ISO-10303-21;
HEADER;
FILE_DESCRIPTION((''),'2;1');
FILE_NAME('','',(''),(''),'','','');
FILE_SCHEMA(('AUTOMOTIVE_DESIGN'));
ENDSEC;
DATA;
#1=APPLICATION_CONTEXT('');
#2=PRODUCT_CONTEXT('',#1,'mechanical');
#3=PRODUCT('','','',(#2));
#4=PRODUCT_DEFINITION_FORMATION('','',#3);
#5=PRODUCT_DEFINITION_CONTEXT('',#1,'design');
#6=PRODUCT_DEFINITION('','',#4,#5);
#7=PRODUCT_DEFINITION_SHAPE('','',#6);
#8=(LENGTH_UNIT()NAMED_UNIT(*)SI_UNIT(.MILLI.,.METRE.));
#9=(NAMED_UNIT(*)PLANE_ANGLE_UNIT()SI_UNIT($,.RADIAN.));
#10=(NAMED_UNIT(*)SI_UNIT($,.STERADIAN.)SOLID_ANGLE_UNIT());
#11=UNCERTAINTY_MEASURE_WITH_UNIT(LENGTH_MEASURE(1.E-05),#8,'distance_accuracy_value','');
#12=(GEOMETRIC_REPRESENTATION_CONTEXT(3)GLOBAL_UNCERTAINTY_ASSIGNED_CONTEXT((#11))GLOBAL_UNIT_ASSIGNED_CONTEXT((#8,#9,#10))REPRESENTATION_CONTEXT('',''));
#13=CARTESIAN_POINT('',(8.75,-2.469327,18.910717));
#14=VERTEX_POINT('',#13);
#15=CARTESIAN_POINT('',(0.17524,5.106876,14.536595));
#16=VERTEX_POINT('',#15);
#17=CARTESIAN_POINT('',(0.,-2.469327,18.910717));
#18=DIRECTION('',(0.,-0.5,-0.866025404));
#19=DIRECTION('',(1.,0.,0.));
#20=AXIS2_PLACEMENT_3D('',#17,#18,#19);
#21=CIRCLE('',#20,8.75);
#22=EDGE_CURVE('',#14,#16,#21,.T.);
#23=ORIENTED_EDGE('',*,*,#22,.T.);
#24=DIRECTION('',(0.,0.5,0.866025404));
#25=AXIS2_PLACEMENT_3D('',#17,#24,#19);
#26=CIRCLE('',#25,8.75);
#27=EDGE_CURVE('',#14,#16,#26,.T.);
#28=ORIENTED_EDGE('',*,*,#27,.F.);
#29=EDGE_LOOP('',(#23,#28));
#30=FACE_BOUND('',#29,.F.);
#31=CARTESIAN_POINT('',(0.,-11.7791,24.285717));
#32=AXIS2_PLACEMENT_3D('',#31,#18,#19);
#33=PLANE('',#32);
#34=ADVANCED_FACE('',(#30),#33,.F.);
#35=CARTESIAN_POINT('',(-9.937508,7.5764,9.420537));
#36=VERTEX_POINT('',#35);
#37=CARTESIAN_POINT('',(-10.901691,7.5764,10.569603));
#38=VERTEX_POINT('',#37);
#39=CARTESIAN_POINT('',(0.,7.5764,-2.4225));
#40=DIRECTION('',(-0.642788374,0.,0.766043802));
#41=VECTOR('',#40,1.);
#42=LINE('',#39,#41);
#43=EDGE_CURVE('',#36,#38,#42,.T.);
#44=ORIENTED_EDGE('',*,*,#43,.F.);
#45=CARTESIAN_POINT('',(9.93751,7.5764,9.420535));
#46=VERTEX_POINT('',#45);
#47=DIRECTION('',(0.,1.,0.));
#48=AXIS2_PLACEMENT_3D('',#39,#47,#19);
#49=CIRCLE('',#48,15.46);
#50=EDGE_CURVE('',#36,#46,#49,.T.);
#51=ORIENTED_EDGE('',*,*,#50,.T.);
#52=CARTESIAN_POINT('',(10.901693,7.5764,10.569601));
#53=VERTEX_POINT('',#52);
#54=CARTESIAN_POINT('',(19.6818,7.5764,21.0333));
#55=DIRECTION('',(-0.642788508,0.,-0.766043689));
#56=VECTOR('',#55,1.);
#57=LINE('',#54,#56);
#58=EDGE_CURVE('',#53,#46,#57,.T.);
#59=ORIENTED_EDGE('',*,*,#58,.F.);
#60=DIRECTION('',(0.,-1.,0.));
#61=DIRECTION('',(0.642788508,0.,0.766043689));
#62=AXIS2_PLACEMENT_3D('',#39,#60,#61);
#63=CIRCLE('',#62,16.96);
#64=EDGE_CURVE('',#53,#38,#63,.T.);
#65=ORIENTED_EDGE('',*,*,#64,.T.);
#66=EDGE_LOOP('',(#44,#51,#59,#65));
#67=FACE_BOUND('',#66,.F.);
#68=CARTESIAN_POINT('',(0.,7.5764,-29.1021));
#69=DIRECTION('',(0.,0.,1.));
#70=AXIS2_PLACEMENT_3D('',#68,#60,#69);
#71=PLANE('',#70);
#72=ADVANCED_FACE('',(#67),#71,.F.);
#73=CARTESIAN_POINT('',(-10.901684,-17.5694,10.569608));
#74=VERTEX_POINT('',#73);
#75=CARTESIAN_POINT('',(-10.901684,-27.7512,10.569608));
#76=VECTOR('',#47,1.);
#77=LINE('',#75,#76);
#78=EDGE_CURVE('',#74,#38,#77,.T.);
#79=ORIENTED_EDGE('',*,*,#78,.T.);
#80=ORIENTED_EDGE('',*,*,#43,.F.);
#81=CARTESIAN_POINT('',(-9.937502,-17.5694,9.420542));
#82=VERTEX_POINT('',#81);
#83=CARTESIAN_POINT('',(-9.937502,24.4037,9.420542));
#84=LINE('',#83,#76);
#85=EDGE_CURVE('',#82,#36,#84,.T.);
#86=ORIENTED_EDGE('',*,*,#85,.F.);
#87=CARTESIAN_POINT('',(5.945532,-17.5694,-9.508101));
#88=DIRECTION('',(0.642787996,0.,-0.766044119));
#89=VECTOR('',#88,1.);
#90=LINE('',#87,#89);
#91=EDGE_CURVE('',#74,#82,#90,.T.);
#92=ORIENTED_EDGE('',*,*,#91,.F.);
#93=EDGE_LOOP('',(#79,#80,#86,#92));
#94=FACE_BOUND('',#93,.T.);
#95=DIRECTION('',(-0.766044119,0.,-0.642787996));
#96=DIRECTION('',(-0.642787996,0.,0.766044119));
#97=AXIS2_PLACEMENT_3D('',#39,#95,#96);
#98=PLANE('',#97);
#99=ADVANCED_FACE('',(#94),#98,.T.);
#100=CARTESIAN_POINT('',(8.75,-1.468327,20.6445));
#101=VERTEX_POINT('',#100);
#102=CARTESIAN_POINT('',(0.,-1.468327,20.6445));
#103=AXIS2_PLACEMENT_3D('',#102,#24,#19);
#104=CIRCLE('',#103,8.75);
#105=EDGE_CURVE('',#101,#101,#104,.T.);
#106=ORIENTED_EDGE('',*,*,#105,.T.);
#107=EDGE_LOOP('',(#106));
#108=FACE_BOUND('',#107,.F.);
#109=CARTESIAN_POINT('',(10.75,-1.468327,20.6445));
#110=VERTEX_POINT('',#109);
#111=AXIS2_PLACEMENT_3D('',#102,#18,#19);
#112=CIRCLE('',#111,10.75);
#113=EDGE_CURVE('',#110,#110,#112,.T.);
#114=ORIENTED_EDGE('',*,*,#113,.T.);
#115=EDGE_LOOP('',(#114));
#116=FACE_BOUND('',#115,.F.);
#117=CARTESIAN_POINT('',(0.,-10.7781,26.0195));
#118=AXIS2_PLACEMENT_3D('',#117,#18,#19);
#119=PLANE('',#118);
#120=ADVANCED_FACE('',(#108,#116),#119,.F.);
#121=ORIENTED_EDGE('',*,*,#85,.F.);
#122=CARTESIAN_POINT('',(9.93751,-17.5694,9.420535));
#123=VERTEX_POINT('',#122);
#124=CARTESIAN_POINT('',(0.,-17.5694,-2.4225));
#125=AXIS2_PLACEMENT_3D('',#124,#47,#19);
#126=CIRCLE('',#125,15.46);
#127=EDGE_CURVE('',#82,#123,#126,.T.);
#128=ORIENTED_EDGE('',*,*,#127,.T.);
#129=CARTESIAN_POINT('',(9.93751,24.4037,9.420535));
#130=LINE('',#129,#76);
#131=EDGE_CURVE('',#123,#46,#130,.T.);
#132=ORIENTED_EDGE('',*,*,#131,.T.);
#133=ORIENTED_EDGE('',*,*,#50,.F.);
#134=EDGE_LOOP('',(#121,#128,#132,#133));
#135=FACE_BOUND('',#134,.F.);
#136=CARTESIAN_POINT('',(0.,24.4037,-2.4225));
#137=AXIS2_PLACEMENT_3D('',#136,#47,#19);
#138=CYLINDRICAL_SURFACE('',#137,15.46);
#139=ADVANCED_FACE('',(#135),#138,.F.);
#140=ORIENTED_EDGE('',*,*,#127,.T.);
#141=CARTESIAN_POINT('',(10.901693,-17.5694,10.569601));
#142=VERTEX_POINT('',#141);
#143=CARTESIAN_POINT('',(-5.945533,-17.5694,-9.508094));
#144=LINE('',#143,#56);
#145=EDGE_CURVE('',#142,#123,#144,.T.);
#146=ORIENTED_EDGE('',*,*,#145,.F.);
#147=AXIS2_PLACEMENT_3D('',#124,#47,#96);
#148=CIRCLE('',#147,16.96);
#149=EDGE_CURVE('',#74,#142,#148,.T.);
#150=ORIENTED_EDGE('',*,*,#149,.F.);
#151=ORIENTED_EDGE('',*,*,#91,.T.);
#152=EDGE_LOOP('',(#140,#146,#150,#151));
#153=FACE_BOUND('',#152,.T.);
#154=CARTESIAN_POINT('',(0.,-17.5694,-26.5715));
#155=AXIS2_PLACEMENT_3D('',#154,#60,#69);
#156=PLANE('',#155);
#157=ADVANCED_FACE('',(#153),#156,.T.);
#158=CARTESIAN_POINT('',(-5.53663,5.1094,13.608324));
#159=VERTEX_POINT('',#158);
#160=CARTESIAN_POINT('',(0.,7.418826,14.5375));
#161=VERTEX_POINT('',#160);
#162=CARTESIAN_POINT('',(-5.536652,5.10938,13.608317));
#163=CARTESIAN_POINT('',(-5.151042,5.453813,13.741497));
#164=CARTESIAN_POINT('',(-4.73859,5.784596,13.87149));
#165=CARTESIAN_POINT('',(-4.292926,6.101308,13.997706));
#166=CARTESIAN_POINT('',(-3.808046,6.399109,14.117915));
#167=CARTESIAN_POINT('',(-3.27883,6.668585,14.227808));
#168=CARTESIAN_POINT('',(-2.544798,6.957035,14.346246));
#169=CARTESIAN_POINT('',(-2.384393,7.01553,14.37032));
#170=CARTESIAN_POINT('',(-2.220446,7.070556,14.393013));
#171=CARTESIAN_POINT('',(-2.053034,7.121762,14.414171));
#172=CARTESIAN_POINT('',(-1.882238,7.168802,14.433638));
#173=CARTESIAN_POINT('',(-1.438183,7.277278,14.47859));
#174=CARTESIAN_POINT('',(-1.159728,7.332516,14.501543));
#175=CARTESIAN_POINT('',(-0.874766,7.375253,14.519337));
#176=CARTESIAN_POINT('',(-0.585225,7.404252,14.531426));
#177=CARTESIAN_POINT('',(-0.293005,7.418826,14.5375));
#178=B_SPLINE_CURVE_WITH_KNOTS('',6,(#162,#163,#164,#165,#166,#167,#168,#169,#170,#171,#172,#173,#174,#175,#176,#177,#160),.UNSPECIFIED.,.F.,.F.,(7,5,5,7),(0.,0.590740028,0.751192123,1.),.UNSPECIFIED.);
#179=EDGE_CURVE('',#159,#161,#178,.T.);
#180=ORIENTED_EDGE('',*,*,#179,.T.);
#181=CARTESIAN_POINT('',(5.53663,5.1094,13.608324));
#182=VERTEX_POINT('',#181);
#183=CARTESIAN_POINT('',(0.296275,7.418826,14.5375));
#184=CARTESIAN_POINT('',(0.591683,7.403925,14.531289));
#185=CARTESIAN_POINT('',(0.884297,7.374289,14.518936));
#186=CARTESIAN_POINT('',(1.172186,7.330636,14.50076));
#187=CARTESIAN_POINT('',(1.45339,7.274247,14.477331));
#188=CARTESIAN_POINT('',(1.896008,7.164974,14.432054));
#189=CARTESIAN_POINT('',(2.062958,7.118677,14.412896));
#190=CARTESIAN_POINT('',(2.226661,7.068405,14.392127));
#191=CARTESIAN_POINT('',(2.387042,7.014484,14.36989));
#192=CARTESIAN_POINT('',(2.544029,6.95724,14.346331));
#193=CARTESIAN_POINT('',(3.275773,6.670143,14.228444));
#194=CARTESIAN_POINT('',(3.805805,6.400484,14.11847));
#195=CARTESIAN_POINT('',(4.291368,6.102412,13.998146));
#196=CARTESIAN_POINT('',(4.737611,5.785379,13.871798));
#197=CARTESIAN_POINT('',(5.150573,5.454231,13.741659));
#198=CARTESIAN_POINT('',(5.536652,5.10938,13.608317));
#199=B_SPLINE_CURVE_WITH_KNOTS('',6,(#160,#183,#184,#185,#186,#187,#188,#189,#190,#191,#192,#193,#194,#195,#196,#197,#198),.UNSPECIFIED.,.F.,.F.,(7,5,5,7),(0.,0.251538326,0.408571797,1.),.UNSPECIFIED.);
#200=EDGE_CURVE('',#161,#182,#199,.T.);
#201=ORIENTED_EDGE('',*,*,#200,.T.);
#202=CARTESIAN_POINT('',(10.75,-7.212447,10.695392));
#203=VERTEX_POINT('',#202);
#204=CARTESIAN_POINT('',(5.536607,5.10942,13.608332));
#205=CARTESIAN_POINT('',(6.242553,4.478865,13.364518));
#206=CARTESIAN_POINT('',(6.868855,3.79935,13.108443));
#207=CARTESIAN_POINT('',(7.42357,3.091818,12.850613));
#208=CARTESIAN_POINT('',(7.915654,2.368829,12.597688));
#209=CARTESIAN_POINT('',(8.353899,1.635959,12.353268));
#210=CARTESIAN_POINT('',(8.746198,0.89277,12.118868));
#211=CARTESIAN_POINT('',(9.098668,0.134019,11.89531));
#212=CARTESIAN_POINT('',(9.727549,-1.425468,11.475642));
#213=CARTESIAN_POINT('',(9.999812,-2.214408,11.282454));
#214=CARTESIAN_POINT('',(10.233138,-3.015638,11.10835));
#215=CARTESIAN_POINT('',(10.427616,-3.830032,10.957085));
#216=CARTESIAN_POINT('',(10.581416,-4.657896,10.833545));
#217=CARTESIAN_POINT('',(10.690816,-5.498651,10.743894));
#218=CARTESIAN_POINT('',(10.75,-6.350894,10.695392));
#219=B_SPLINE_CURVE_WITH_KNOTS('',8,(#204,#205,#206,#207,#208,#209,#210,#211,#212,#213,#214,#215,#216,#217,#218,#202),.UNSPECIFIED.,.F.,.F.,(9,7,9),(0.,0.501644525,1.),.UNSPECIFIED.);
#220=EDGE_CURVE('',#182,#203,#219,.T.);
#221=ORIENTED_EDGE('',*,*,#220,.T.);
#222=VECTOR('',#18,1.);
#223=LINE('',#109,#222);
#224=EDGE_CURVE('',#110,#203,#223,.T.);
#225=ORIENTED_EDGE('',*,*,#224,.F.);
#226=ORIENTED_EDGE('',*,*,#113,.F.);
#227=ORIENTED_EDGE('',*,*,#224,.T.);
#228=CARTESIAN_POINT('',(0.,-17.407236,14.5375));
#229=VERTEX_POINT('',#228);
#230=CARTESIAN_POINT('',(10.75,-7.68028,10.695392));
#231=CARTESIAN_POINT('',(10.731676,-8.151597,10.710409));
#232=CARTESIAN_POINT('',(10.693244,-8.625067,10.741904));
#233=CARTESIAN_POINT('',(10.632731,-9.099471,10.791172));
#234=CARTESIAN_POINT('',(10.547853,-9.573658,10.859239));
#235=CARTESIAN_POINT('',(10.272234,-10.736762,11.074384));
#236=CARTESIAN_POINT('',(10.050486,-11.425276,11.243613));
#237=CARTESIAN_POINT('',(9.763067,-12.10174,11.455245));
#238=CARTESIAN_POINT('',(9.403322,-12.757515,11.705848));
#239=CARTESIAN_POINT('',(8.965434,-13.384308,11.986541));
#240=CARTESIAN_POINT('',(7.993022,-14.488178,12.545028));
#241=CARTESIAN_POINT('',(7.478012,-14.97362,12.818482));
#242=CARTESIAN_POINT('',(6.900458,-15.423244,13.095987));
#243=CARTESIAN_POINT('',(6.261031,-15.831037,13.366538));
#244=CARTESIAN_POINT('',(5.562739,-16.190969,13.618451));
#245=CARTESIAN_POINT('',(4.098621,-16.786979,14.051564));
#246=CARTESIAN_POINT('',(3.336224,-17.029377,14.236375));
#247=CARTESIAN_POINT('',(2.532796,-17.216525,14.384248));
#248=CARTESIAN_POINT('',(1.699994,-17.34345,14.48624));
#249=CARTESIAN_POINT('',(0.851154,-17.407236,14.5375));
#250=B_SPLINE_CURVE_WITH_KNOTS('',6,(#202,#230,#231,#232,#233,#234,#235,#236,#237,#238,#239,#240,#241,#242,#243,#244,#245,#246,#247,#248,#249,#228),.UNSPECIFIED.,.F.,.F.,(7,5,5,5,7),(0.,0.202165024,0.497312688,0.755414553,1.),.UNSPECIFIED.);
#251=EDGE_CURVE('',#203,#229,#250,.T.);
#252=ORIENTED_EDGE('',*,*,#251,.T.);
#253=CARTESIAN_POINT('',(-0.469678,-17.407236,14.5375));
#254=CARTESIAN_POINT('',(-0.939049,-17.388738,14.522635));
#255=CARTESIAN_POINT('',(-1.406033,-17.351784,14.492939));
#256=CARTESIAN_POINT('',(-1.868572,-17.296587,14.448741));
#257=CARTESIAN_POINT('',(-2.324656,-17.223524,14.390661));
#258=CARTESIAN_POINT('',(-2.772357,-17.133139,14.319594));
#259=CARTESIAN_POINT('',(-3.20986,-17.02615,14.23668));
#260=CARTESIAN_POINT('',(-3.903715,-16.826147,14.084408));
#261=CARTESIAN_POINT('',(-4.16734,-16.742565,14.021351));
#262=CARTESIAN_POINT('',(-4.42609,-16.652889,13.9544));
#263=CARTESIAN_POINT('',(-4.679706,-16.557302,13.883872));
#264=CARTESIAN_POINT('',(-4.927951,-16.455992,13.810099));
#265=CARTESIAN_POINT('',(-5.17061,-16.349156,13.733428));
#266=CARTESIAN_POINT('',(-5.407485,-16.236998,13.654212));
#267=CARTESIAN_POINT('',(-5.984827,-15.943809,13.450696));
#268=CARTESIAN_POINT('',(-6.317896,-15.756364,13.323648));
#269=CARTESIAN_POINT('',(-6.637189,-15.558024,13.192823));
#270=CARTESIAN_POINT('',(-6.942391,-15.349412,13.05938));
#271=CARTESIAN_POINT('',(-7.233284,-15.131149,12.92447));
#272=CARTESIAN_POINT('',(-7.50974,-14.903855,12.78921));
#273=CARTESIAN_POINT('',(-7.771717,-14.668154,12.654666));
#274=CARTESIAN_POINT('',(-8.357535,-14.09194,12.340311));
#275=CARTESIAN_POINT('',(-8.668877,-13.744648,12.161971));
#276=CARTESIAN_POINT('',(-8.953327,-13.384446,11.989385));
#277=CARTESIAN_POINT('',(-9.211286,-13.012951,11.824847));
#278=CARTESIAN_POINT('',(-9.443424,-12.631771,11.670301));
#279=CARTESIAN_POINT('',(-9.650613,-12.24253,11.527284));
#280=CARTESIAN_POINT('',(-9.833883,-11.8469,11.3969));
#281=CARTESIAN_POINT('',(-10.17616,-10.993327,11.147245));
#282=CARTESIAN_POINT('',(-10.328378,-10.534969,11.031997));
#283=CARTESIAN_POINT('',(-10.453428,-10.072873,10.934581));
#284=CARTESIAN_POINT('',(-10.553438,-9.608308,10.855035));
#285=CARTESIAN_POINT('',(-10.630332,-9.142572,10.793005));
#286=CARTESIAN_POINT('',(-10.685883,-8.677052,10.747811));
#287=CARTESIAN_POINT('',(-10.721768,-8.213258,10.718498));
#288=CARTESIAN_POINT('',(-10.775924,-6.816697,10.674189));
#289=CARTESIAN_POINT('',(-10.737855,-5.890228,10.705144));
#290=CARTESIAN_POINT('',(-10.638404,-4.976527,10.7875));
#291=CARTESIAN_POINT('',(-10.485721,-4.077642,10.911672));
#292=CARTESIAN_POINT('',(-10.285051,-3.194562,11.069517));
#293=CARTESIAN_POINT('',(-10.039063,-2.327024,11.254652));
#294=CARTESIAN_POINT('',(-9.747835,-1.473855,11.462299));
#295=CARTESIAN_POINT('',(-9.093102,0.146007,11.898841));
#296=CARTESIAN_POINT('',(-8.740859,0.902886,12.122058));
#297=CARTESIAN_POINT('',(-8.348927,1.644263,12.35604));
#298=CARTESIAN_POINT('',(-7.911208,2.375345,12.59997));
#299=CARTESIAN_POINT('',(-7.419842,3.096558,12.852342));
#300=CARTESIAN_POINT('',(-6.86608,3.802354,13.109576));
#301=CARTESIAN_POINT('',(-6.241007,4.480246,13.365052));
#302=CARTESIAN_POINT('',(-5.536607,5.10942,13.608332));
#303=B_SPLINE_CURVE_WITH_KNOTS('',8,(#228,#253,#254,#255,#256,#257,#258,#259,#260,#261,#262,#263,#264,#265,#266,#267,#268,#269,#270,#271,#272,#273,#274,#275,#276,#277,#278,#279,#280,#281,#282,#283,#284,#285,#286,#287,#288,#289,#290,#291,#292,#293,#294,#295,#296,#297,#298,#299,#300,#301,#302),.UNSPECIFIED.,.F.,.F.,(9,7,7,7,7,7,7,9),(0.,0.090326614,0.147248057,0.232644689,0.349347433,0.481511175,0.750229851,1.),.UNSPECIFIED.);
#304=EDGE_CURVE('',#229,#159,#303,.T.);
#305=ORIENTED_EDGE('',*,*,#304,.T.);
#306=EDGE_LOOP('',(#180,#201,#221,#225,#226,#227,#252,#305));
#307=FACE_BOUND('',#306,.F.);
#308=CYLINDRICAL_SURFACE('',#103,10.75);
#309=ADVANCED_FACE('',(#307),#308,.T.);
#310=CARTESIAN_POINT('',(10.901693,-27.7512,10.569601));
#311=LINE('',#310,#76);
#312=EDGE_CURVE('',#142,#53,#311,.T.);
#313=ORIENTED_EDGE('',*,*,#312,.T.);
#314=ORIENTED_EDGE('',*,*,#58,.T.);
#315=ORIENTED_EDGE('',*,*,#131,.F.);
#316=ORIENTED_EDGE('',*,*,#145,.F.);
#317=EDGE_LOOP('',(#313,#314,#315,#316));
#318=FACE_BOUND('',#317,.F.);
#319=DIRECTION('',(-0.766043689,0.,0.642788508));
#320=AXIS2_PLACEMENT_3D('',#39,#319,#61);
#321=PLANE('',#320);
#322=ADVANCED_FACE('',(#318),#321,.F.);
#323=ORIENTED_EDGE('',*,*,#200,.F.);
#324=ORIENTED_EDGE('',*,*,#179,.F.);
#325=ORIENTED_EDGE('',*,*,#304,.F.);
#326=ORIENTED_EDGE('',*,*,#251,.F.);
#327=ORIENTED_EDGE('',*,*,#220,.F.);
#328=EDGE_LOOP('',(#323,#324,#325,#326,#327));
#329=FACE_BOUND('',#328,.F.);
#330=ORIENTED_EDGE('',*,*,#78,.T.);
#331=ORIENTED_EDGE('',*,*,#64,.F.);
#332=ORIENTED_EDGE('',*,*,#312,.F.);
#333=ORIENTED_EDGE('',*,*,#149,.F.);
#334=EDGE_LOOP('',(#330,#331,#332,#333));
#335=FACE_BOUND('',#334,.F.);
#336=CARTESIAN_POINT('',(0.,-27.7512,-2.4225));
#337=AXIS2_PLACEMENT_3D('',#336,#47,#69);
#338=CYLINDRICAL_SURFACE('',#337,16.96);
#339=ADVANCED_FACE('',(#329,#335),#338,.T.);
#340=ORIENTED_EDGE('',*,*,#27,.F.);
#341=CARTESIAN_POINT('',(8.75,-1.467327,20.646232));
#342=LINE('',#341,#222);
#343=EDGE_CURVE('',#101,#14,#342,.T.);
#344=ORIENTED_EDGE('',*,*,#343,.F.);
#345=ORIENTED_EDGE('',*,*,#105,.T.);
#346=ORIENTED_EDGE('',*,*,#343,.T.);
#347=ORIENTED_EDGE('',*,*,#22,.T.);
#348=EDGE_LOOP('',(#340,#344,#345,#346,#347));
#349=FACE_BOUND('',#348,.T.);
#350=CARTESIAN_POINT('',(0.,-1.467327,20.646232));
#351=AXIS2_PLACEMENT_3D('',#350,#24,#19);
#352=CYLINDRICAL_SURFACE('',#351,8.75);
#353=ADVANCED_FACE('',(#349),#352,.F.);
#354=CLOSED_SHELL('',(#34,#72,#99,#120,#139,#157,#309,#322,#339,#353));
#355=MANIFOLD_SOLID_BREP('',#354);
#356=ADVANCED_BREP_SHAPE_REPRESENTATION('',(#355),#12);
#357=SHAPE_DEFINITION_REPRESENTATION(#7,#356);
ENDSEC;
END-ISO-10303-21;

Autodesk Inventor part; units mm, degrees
ref_plane "YZ Plane" through (0, 0, 0) normal (1, 0, 0) x (0, 1, 0)
ref_plane "XZ Plane" through (0, 0, 0) normal (0, 1, 0) x (-1, 0, 0)
sketch "Sketch1" plane through (0, 0, 0) normal (1, 0, 0) x (0, 1, 0)
  line L0 (22.9037, 13.0375) -> (-26.2512, 13.0375)
  line L1 (-26.2512, 13.0375) -> (-26.2512, -17.8825)
  line L2 (-26.2512, -17.8825) -> (22.9037, -17.8825)
  line L3 (22.9037, -17.8825) -> (22.9037, 13.0375)
  line L4 (-27.7512, 14.5375) -> (24.4037, 14.5375)
  line L5 (24.4037, 14.5375) -> (24.4037, -19.3825)
  line L6 (24.4037, -19.3825) -> (-27.7512, -19.3825)
  line L7 (-27.7512, -19.3825) -> (-27.7512, 14.5375)
  line L8 (14.8755, 31.453) -> (106.1225, 31.453) construction
  line L9 (5.1094, 14.5375) -> (-10.0461, 23.2875)
  line L10 (-10.0461, 23.2875) -> (-9.0461, 25.0195)
  line L11 (-9.0461, 25.0195) -> (-10.7781, 26.0195)
  line L12 (-10.7781, 26.0195) -> (-17.4073, 14.5375)
  line L13 (24.4037, -2.4225) -> (-27.7512, -2.4225)
  point P0 (0, 0)
  point P1 (22.9037, -2.4225)
  point P2 (-26.2512, -2.4225)
  dimension "d0" = 30.92
  dimension "d1" = 1.5
  dimension "d3" = 17.5
  dimension "d4" = 2
  dimension "d5" = 2
ref_plane "Work Plane1" through (0, -10.7781, 26.0195) normal (0, -0.5, -0.866) x (1, 0, 0)
sketch "Sketch2" plane through (0, -10.7781, 26.0195) normal (0, -0.5, -0.866) x (1, 0, 0)
  line L0 (0, -19.5) -> (0, -2) projected
  circle A0 centre (0, -10.75) radius 8.75
  circle A1 centre (0, -10.75) radius 10.75
  point P0 (0, -22.3439)
  point P1 (0, 0)
extrude "Extrusion1" add sketch "Sketch2" along normal blind 19 contours A0 L0 | L0 A0 | A1
extrude "Extrusion2" cut sketch "Sketch2" along normal blind 2 contours A0 L0 | L0 A0
revolve "Revolution1" add sketch "Sketch1" angle 360 about axis through (0, 24.4037, -2.4225) along (0, -1, 0) contours L0 L1 L13 L7 L4 L5 L3
sketch "Sketch3" plane through (0, 24.4037, -2.4225) normal (0, 1, 0) x (1, 0, 0)
  circle A0 centre (0, 0) radius 15.46 projected
  circle A1 centre (0, 0) radius 16.96 projected
  point P0 (0, -2.4225)
extrude "Extrusion3" cut sketch "Sketch3" against normal blind 127.25 contours A0
sketch "Sketch4" plane through (0, 0, 0) normal (1, 0, 0) x (0, 1, 0)
  line L0 (24.4037, 14.5375) -> (-27.7512, 14.5375) projected
  line L1 (7.5764, 14.5375) -> (27.5764, 14.5375)
  line L2 (27.5764, 14.5375) -> (27.5764, -29.1021)
  line L3 (27.5764, -29.1021) -> (7.5764, -29.1021)
  line L4 (7.5764, -29.1021) -> (7.5764, 14.5375)
  line L5 (-17.5694, 14.5375) -> (-31.1808, 14.5375)
  line L6 (-31.1808, 14.5375) -> (-31.1808, -26.5715)
  line L7 (-31.1808, -26.5715) -> (-17.5694, -26.5715)
  line L8 (-17.5694, -26.5715) -> (-17.5694, 14.5375)
  point P0 (0, 0)
  dimension "d21" = 20
extrude "Extrusion4" cut sketch "Sketch4" along normal mid plane 127.25
sketch "Sketch5" plane through (0, 7.5764, -2.4225) normal (0, 1, 0) x (1, 0, 0)
  circle A0 centre (0, 0) radius 16.96 projected
  line L0 (0, 0) -> (-17.0449, -20.3133)
  line L1 (0, 0) -> (26.5172, 0) construction
  line L2 (0, 0) -> (19.6818, -23.4558)
  line L3 (0, 0) -> (30.6194, 0) construction
  arc A1 (19.6818, -23.4558) -> (-16.96, -20.2121) centre (3.3753, 0.9216) ccw
  dimension "d17" = 130
  dimension "d18" = 50
extrude "Extrusion6" cut sketch "Sketch5" against normal blind 127.25 contours A0 L2 L0 | A0 L0 A1 L2 picked at (-8.1801, -7.6911)
properties part number "1'' copper pipe 60 deg mount"
